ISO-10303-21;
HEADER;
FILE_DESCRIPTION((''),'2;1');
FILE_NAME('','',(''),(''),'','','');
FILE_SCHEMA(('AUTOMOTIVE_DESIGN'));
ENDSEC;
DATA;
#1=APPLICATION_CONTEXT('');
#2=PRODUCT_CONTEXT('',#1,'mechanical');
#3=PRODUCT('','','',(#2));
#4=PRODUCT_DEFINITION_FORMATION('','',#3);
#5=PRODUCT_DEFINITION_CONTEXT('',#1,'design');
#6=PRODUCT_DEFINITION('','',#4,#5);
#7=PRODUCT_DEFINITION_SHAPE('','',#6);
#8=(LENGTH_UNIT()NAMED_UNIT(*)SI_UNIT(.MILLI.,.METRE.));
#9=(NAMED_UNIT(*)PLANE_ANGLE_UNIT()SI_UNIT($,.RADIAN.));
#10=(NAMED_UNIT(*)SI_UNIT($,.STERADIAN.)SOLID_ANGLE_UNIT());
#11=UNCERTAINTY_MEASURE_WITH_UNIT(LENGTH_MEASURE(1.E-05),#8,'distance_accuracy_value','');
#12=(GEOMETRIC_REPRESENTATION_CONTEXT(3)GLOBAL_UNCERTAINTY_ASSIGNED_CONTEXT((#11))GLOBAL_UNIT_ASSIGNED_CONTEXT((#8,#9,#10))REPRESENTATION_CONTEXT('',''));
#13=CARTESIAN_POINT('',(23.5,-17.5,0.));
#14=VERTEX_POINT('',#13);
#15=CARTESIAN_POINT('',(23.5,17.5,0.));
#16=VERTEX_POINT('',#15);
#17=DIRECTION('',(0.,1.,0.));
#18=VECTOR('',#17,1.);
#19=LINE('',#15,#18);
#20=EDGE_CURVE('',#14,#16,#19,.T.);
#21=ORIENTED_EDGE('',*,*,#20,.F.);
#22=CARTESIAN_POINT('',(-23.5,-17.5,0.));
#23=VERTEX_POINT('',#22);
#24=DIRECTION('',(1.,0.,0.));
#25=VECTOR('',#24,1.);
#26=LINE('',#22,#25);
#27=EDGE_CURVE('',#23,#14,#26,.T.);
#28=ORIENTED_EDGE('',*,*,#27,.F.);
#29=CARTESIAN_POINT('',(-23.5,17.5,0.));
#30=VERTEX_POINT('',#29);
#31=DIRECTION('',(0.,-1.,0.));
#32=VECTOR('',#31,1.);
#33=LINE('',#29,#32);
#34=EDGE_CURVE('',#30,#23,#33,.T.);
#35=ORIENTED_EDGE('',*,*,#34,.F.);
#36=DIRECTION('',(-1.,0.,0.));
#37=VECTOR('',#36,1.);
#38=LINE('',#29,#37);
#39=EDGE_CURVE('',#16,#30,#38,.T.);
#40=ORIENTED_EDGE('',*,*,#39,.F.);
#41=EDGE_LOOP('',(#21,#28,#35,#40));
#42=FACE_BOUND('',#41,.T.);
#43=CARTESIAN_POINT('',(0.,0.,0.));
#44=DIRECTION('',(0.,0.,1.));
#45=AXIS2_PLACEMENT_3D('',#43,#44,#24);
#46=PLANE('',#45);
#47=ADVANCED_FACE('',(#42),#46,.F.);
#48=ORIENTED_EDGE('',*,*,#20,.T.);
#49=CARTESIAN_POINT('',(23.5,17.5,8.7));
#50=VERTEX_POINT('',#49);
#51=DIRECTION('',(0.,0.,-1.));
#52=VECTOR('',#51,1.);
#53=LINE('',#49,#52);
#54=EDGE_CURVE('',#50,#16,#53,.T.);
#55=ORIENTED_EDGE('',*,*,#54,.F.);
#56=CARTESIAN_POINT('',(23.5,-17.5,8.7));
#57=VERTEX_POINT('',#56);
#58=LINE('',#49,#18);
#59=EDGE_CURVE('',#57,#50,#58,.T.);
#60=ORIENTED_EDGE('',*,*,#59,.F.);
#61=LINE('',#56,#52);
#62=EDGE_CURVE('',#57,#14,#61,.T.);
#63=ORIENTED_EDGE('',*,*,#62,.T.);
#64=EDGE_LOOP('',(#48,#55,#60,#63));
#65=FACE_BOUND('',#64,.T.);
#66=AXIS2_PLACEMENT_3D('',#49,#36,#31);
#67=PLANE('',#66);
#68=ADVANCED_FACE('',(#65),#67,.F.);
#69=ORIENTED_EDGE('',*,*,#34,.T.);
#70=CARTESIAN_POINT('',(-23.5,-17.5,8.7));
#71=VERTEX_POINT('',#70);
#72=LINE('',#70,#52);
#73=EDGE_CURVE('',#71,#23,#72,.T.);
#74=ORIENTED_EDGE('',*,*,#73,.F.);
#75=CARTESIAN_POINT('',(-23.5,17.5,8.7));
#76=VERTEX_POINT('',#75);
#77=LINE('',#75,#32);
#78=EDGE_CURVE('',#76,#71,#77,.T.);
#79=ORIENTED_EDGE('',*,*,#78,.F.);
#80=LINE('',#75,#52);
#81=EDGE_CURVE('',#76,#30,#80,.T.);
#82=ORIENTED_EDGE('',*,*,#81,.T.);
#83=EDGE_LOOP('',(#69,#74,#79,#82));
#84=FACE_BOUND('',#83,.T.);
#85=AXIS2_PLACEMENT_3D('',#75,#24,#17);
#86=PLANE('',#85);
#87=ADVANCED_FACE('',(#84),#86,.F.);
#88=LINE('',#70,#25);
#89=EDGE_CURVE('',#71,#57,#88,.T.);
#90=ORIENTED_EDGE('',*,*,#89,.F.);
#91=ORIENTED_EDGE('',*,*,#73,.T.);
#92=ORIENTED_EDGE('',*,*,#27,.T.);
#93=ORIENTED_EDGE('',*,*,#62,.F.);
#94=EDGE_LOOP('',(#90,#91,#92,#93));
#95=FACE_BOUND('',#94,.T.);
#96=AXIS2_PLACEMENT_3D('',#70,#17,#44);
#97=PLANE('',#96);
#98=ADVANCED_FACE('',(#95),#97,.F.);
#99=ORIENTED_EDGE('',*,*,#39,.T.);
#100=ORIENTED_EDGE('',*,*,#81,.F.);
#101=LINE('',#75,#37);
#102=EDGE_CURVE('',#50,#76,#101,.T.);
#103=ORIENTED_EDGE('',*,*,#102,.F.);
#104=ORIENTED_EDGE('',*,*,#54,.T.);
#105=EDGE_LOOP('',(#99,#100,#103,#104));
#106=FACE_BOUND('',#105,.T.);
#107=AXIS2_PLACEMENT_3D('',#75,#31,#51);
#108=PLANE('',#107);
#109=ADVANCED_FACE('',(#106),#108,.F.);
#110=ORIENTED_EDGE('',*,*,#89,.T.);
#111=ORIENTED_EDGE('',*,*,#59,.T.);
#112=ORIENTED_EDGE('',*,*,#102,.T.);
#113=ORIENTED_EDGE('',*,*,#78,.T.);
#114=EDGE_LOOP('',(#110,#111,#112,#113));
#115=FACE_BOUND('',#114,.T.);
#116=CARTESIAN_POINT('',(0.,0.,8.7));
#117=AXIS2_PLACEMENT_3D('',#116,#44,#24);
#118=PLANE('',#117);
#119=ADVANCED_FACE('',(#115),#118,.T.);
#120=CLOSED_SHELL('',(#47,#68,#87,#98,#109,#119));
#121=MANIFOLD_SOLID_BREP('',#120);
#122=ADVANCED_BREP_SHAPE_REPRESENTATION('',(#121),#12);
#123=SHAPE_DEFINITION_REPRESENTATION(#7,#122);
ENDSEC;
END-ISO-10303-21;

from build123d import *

# Parameters (mm, degrees)
ESBO_O1_W                = 47
ESBO_O1_H                = 35
RESSALTO_EXTRUS_O1_DEPTH = 8.7


with BuildPart() as part:
    # Esboço1 → Ressalto-extrusão1 (new body)
    with BuildSketch(Plane.XY):
        Rectangle(ESBO_O1_W, ESBO_O1_H)
    extrude(amount=RESSALTO_EXTRUS_O1_DEPTH)


solid = part.part
